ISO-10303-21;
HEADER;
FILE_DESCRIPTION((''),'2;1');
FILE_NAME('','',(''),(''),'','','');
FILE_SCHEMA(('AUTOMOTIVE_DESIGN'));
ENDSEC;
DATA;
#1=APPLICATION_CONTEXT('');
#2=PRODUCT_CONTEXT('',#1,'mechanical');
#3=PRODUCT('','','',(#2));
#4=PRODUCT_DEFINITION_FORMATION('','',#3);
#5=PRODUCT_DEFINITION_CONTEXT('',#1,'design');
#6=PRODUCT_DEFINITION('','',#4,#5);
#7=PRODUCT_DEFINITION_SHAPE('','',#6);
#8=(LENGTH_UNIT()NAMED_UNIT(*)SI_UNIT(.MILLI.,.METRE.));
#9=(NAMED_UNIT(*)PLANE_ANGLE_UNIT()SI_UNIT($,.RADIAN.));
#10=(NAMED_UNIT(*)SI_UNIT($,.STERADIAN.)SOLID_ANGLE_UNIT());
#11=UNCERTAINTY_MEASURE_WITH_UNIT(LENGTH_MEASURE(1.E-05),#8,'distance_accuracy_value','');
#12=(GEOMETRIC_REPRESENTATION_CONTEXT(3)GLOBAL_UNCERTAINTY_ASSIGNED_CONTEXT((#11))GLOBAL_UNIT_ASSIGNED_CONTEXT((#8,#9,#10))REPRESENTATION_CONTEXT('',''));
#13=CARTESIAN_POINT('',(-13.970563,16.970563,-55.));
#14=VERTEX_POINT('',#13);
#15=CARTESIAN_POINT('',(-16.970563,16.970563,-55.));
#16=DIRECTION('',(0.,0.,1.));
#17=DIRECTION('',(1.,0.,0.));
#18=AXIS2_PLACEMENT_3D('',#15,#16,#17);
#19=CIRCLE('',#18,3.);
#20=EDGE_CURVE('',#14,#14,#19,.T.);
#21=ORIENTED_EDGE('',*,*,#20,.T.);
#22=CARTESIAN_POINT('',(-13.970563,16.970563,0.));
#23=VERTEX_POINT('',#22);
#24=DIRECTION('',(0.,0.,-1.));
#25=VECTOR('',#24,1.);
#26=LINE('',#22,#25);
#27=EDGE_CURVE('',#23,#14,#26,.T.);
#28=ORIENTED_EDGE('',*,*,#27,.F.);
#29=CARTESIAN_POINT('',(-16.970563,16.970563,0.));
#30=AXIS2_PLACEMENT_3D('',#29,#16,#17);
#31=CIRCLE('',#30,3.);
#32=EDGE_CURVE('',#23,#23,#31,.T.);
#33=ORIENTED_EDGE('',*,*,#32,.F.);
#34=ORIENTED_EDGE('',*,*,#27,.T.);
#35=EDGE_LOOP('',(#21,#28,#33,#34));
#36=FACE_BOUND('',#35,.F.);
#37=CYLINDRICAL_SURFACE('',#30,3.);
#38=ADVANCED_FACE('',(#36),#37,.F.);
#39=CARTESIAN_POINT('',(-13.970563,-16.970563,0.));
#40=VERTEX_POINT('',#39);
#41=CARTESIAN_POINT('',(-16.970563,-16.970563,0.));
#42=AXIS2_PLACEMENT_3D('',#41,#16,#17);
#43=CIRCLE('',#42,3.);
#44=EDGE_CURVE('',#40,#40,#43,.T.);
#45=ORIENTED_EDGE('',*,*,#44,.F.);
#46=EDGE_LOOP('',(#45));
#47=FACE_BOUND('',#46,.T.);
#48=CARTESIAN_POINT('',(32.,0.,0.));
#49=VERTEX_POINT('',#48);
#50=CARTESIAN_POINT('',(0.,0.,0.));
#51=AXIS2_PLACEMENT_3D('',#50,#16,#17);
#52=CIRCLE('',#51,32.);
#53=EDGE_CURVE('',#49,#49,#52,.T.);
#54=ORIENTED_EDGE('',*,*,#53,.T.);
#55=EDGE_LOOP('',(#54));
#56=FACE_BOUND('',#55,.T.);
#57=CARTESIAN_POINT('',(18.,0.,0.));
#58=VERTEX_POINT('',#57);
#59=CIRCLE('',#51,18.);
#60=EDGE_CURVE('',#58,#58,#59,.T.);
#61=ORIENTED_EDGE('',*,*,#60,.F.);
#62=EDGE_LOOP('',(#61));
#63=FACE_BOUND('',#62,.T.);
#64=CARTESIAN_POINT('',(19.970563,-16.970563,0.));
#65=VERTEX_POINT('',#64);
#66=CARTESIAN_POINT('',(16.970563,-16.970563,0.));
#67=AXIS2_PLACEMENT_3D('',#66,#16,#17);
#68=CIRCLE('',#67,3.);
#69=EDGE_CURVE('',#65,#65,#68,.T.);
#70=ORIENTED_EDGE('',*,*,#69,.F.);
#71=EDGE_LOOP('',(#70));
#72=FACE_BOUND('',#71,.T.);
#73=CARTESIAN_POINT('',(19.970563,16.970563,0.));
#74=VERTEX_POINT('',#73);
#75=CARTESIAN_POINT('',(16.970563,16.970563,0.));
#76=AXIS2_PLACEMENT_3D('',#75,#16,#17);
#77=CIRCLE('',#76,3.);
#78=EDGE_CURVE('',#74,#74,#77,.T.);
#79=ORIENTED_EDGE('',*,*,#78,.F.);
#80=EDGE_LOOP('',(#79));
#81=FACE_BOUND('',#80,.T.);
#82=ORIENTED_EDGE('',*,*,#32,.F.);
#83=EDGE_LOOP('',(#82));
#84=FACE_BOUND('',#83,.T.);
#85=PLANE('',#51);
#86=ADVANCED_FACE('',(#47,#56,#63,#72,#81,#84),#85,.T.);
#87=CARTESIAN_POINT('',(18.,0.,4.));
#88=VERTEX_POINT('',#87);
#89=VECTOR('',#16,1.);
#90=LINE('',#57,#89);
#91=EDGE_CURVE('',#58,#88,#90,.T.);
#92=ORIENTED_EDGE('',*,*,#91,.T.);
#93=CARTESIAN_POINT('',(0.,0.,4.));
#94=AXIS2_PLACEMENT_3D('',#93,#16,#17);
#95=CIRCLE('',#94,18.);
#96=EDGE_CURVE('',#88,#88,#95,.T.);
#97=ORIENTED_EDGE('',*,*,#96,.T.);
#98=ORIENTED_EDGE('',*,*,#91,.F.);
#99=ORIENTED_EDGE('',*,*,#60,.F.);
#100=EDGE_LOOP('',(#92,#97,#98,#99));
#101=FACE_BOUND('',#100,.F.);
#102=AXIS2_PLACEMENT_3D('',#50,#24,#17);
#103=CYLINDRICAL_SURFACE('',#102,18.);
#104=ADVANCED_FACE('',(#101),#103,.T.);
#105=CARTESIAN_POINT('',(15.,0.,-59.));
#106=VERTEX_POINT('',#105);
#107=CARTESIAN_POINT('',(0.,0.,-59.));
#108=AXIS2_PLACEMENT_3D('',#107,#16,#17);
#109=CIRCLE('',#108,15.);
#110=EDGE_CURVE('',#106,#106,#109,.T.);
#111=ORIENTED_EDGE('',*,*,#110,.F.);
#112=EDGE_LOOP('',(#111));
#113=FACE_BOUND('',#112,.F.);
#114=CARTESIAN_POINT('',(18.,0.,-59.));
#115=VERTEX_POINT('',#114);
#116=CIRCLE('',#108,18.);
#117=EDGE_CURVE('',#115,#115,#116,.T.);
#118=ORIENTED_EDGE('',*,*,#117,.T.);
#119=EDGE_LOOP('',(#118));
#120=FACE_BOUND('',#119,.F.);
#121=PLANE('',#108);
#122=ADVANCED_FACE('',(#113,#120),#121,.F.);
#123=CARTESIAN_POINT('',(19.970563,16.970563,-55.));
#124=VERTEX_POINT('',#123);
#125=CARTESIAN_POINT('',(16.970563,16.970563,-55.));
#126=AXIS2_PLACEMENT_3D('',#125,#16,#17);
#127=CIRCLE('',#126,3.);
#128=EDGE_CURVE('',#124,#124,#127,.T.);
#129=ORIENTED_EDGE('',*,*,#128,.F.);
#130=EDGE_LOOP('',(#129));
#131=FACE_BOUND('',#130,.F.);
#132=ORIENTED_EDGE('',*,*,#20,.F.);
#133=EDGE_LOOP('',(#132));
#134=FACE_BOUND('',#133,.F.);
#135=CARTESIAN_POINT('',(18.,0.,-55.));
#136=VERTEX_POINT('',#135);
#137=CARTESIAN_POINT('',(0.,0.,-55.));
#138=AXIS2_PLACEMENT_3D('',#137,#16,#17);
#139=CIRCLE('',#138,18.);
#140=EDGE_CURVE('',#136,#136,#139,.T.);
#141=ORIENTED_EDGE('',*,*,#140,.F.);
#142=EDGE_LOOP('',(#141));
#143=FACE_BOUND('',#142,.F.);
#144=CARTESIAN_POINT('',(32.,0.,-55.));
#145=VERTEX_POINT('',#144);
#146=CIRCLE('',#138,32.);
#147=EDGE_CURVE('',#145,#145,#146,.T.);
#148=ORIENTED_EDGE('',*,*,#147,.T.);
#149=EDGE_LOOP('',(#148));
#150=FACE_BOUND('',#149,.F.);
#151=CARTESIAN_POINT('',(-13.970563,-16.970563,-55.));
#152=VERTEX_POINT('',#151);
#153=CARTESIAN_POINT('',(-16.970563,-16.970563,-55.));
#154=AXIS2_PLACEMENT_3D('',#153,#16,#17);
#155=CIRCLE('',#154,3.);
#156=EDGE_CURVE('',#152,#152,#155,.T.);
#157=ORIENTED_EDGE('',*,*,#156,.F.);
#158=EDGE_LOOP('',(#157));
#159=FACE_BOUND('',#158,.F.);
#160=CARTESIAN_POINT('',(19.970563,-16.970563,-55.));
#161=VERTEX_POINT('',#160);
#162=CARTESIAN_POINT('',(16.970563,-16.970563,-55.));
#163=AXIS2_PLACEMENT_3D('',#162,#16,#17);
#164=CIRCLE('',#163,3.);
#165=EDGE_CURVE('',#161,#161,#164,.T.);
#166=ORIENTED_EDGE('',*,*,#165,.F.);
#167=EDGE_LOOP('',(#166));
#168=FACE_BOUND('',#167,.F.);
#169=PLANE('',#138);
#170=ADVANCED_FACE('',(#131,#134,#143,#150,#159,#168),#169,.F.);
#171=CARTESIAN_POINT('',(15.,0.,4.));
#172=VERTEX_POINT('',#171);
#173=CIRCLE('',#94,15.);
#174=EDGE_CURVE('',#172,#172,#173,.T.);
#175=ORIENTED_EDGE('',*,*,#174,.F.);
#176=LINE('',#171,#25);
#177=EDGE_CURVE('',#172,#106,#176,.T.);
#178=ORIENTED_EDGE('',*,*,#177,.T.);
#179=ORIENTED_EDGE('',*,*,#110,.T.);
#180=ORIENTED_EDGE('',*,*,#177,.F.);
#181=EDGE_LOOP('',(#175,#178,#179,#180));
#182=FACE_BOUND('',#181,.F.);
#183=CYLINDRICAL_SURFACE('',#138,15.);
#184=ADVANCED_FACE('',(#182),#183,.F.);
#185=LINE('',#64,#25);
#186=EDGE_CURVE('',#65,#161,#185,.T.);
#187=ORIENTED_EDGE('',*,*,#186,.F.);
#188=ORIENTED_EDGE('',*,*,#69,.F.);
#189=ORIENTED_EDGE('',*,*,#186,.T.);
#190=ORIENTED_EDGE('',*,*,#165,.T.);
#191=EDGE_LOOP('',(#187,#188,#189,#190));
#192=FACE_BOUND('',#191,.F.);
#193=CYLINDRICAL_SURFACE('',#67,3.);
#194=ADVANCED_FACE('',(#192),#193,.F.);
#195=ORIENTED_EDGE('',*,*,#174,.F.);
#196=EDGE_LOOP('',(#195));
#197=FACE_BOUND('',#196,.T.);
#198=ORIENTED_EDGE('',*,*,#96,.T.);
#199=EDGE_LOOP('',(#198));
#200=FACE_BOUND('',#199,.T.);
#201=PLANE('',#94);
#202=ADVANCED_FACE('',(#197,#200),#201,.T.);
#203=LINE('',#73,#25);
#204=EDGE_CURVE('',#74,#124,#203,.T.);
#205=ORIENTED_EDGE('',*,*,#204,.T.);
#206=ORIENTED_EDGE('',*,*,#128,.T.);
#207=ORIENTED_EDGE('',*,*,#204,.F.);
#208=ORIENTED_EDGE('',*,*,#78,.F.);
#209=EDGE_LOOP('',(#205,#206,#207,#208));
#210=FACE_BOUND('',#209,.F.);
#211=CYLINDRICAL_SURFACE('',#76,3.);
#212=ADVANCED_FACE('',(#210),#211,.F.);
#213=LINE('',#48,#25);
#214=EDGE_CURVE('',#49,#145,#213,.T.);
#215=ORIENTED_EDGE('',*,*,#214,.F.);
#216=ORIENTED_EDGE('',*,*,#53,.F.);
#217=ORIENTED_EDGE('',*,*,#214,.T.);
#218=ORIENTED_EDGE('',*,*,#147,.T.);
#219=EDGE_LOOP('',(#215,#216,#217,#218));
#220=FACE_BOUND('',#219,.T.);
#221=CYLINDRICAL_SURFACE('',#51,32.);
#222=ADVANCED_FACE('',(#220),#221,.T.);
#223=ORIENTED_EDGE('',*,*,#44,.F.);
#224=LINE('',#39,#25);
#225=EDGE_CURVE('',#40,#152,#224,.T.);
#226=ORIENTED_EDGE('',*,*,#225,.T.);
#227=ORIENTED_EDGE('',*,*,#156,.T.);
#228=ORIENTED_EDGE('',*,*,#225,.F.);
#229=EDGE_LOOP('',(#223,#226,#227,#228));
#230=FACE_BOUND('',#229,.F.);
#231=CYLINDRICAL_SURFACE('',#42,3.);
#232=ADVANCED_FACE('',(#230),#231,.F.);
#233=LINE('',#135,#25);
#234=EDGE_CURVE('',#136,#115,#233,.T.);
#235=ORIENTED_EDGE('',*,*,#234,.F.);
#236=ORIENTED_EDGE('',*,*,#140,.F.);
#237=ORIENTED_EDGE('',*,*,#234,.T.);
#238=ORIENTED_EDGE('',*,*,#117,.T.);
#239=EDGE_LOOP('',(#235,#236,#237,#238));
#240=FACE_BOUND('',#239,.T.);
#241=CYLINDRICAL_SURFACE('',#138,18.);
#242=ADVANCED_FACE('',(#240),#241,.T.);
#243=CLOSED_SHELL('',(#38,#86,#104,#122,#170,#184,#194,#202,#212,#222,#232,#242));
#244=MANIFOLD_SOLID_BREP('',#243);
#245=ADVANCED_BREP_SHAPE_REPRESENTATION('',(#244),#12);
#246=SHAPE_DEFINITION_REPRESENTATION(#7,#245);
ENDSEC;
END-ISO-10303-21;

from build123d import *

# Parameters (mm, degrees)
SKETCH1_R           = 32
SKETCH1_R_2         = 18
SKETCH1_R_3         = 15
BOSS_EXTRUDE1_DEPTH = 55
SKETCH1_3_R         = 18
SKETCH1_3_R_2       = 15
BOSS_EXTRUDE2_DEPTH = 4
BOSS_EXTRUDE4_START = -55
SKETCH1_6_R         = 18
SKETCH1_6_R_2       = 15
BOSS_EXTRUDE4_DEPTH = 4
SKETCH2_R           = 3
CUT_EXTRUDE1_DEPTH  = 191


with BuildPart() as part:
    # Sketch1 → Boss-Extrude1 (new body)
    with BuildSketch(Plane.XY):
        Circle(SKETCH1_R)
        Circle(SKETCH1_R_2, mode=Mode.SUBTRACT)
        Circle(SKETCH1_R_2)
        Circle(SKETCH1_R_3, mode=Mode.SUBTRACT)
    extrude(amount=-BOSS_EXTRUDE1_DEPTH)

    # Sketch1<3> → Boss-Extrude2 (add)
    with BuildSketch(Plane.XY):
        Circle(SKETCH1_3_R)
        Circle(SKETCH1_3_R_2, mode=Mode.SUBTRACT)
    extrude(amount=BOSS_EXTRUDE2_DEPTH)

    # Sketch1<6> → Boss-Extrude4 (add)
    with BuildSketch(Plane.XY.offset(BOSS_EXTRUDE4_START)):
        Circle(SKETCH1_6_R)
        Circle(SKETCH1_6_R_2, mode=Mode.SUBTRACT)
    extrude(amount=-BOSS_EXTRUDE4_DEPTH)

    # Sketch2 → Cut-Extrude1 (cut)
    with BuildSketch(Plane.XY):
        with Locations((-16.970562748, 16.970562748)):
            Circle(SKETCH2_R)
        with Locations((16.970562748, 16.970562748)):
            Circle(SKETCH2_R)
        with Locations((16.970562748, -16.970562748)):
            Circle(SKETCH2_R)
        with Locations((-16.970562748, -16.970562748)):
            Circle(SKETCH2_R)
    extrude(amount=-CUT_EXTRUDE1_DEPTH, mode=Mode.SUBTRACT)


solid = part.part
